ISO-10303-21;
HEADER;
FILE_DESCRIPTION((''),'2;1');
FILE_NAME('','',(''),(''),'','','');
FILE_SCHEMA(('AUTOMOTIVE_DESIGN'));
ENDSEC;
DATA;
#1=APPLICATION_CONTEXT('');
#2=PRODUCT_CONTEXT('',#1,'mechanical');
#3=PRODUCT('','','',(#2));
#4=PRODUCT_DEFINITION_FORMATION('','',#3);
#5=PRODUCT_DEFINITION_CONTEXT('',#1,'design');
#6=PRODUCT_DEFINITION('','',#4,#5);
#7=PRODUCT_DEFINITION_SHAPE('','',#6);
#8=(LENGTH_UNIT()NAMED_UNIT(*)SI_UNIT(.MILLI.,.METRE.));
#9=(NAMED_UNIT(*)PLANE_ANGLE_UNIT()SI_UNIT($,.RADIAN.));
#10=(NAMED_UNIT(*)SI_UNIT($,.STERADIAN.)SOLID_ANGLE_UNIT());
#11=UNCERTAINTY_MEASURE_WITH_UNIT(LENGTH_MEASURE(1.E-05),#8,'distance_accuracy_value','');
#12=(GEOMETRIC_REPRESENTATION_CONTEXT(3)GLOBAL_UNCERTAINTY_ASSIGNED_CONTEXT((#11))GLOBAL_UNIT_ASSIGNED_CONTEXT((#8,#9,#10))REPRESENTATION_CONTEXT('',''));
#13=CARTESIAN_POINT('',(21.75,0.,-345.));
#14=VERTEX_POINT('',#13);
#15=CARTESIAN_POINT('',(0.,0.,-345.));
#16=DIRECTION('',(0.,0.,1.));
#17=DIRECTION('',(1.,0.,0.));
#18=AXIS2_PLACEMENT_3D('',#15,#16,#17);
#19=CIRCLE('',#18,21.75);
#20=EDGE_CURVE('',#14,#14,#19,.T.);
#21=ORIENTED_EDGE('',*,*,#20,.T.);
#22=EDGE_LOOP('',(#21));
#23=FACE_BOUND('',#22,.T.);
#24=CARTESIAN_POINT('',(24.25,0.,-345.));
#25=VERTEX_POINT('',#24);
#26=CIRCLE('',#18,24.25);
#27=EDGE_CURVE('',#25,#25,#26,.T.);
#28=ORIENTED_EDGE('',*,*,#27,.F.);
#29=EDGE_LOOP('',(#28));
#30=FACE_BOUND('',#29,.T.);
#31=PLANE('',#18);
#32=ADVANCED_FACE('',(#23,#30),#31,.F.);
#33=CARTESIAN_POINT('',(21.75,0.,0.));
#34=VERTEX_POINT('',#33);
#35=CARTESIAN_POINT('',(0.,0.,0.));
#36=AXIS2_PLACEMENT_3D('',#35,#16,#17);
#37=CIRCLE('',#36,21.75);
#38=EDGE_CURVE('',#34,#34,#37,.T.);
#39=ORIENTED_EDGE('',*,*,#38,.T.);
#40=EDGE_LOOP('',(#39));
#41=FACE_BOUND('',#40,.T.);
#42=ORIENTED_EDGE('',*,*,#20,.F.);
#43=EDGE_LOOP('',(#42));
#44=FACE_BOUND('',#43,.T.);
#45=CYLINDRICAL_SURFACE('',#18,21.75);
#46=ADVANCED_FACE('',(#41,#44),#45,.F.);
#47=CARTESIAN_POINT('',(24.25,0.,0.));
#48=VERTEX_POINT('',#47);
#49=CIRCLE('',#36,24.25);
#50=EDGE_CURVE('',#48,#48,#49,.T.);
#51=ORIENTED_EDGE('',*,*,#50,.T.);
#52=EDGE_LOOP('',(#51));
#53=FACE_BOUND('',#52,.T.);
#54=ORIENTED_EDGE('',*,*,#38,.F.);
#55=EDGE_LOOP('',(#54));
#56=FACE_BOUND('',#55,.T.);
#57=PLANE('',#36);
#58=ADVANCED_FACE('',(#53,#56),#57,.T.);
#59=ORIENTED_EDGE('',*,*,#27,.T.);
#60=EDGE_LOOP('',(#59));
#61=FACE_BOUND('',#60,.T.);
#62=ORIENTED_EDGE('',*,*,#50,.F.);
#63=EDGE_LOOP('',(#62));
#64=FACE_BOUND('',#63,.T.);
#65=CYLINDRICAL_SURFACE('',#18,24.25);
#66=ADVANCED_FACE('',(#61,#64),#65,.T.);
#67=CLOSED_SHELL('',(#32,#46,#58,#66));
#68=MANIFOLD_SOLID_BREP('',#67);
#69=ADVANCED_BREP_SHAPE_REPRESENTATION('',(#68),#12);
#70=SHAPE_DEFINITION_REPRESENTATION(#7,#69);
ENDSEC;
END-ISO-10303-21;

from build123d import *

# Parameters (mm, degrees)
SKETCH1_R           = 24.25
SKETCH1_R_2         = 21.75
BOSS_EXTRUDE1_DEPTH = 345


with BuildPart() as part:
    # Sketch1 → Boss-Extrude1 (new body)
    with BuildSketch(Plane.XY):
        Circle(SKETCH1_R)
        Circle(SKETCH1_R_2, mode=Mode.SUBTRACT)
    extrude(amount=-BOSS_EXTRUDE1_DEPTH)


solid = part.part
